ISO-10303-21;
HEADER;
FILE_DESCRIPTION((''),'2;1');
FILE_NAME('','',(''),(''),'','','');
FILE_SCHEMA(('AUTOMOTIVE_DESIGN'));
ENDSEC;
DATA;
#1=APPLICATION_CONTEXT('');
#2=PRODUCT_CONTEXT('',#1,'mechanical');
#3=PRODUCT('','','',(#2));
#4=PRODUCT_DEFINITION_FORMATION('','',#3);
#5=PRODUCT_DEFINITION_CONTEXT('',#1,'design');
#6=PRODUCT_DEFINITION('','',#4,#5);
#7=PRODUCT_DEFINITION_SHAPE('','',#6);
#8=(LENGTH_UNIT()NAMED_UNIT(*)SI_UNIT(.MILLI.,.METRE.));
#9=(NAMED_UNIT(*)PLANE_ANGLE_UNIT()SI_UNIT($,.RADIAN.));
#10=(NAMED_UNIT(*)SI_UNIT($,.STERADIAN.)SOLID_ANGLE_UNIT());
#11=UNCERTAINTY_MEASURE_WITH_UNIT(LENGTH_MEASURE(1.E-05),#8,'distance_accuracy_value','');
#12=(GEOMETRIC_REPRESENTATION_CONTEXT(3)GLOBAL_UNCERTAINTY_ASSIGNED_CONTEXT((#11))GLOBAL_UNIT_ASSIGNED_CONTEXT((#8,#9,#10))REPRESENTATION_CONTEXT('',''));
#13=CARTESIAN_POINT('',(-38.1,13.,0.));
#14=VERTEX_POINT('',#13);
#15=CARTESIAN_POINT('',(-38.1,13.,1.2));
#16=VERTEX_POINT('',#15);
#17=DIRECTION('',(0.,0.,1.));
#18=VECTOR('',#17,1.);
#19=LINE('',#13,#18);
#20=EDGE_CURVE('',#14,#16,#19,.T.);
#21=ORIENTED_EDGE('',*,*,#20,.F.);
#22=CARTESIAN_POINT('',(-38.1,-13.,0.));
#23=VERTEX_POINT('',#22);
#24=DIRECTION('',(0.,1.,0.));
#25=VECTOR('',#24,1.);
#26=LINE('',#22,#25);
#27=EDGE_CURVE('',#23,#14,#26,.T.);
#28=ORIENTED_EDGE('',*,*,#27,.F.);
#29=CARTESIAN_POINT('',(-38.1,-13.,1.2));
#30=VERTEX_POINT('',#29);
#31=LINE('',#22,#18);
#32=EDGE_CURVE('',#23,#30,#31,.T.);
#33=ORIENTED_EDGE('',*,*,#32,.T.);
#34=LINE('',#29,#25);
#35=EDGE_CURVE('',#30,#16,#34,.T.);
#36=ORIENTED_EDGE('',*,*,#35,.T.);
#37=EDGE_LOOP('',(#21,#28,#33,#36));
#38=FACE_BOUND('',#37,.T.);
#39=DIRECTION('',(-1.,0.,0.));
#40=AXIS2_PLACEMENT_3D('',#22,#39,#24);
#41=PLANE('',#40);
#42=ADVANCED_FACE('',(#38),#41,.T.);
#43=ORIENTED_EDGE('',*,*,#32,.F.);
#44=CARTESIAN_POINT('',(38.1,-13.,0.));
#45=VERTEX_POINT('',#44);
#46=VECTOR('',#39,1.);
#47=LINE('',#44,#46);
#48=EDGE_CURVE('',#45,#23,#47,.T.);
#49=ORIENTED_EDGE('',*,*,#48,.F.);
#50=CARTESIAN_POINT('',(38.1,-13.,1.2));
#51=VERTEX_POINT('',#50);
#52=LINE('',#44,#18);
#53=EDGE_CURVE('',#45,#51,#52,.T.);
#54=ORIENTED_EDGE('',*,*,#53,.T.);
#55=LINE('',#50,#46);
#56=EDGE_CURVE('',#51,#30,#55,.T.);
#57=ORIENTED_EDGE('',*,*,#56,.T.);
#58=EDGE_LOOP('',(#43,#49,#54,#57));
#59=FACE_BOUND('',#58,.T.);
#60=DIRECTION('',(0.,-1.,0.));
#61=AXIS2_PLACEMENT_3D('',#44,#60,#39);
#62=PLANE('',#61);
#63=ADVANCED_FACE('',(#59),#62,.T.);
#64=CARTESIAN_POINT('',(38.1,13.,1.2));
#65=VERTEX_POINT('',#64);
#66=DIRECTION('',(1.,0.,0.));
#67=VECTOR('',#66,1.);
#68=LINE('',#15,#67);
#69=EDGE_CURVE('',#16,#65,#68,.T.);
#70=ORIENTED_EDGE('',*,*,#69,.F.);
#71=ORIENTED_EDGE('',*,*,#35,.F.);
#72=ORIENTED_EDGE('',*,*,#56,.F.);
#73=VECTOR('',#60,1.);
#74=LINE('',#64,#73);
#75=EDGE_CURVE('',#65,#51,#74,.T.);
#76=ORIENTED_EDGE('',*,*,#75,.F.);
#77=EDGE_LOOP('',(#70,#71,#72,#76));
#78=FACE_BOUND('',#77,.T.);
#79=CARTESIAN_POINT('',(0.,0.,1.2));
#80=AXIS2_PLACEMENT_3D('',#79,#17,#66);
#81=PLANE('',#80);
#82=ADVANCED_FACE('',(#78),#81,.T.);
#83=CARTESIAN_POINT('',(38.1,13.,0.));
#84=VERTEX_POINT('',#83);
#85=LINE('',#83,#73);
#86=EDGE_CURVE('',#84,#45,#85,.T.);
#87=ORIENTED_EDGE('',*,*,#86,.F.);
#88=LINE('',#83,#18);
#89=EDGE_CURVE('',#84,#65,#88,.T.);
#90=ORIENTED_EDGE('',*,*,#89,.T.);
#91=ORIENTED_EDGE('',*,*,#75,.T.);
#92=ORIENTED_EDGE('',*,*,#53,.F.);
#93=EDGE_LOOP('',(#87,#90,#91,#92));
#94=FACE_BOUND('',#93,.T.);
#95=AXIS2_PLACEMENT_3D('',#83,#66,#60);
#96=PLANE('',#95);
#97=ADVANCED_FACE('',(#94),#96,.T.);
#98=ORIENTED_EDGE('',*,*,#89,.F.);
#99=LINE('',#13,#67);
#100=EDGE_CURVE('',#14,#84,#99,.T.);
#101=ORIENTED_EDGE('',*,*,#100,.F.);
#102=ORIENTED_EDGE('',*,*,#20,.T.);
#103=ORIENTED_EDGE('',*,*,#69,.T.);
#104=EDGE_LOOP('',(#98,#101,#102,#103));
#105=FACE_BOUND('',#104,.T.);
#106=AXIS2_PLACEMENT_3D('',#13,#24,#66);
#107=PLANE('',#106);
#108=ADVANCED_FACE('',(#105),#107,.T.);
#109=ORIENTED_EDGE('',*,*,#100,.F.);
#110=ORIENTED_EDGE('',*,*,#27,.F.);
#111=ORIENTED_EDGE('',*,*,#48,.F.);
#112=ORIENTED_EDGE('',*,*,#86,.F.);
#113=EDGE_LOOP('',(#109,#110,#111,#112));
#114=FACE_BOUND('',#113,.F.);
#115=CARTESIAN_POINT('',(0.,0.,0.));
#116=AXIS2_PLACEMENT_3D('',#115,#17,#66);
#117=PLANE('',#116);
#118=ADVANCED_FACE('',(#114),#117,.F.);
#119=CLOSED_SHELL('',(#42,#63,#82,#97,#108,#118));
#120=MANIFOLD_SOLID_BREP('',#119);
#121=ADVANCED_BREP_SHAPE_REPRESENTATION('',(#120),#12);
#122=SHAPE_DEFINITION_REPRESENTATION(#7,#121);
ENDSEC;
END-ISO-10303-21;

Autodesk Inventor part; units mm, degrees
ref_plane "YZ Plane" through (0, 0, 0) normal (1, 0, 0) x (0, 1, 0)
ref_plane "XZ Plane" through (0, 0, 0) normal (0, 1, 0) x (-1, 0, 0)
ref_plane "XY Plane" through (0, 0, 0) normal (0, 0, 1) x (1, 0, 0)
sketch "Sketch1" plane through (0, 0, 0) normal (0, 0, 1) x (1, 0, 0)
  line L0 (-53.34, 0) -> (53.34, 0) construction
  line L1 (0, -18.2) -> (0, 18.2) construction
  line L2 (-38.1, 13) -> (38.1, 13)
  line L3 (38.1, 13) -> (38.1, -13)
  line L4 (38.1, -13) -> (-38.1, -13)
  line L5 (-38.1, -13) -> (-38.1, 13)
  point P0 (0, 0)
  point P1 (0, 13)
  point P2 (-38.1, 0)
  dimension "d0" = 76.2
  dimension "d1" = 26
extrude "Extrusion1" add sketch "Sketch1" along normal blind 1.2
properties part number "F115Reseau"
